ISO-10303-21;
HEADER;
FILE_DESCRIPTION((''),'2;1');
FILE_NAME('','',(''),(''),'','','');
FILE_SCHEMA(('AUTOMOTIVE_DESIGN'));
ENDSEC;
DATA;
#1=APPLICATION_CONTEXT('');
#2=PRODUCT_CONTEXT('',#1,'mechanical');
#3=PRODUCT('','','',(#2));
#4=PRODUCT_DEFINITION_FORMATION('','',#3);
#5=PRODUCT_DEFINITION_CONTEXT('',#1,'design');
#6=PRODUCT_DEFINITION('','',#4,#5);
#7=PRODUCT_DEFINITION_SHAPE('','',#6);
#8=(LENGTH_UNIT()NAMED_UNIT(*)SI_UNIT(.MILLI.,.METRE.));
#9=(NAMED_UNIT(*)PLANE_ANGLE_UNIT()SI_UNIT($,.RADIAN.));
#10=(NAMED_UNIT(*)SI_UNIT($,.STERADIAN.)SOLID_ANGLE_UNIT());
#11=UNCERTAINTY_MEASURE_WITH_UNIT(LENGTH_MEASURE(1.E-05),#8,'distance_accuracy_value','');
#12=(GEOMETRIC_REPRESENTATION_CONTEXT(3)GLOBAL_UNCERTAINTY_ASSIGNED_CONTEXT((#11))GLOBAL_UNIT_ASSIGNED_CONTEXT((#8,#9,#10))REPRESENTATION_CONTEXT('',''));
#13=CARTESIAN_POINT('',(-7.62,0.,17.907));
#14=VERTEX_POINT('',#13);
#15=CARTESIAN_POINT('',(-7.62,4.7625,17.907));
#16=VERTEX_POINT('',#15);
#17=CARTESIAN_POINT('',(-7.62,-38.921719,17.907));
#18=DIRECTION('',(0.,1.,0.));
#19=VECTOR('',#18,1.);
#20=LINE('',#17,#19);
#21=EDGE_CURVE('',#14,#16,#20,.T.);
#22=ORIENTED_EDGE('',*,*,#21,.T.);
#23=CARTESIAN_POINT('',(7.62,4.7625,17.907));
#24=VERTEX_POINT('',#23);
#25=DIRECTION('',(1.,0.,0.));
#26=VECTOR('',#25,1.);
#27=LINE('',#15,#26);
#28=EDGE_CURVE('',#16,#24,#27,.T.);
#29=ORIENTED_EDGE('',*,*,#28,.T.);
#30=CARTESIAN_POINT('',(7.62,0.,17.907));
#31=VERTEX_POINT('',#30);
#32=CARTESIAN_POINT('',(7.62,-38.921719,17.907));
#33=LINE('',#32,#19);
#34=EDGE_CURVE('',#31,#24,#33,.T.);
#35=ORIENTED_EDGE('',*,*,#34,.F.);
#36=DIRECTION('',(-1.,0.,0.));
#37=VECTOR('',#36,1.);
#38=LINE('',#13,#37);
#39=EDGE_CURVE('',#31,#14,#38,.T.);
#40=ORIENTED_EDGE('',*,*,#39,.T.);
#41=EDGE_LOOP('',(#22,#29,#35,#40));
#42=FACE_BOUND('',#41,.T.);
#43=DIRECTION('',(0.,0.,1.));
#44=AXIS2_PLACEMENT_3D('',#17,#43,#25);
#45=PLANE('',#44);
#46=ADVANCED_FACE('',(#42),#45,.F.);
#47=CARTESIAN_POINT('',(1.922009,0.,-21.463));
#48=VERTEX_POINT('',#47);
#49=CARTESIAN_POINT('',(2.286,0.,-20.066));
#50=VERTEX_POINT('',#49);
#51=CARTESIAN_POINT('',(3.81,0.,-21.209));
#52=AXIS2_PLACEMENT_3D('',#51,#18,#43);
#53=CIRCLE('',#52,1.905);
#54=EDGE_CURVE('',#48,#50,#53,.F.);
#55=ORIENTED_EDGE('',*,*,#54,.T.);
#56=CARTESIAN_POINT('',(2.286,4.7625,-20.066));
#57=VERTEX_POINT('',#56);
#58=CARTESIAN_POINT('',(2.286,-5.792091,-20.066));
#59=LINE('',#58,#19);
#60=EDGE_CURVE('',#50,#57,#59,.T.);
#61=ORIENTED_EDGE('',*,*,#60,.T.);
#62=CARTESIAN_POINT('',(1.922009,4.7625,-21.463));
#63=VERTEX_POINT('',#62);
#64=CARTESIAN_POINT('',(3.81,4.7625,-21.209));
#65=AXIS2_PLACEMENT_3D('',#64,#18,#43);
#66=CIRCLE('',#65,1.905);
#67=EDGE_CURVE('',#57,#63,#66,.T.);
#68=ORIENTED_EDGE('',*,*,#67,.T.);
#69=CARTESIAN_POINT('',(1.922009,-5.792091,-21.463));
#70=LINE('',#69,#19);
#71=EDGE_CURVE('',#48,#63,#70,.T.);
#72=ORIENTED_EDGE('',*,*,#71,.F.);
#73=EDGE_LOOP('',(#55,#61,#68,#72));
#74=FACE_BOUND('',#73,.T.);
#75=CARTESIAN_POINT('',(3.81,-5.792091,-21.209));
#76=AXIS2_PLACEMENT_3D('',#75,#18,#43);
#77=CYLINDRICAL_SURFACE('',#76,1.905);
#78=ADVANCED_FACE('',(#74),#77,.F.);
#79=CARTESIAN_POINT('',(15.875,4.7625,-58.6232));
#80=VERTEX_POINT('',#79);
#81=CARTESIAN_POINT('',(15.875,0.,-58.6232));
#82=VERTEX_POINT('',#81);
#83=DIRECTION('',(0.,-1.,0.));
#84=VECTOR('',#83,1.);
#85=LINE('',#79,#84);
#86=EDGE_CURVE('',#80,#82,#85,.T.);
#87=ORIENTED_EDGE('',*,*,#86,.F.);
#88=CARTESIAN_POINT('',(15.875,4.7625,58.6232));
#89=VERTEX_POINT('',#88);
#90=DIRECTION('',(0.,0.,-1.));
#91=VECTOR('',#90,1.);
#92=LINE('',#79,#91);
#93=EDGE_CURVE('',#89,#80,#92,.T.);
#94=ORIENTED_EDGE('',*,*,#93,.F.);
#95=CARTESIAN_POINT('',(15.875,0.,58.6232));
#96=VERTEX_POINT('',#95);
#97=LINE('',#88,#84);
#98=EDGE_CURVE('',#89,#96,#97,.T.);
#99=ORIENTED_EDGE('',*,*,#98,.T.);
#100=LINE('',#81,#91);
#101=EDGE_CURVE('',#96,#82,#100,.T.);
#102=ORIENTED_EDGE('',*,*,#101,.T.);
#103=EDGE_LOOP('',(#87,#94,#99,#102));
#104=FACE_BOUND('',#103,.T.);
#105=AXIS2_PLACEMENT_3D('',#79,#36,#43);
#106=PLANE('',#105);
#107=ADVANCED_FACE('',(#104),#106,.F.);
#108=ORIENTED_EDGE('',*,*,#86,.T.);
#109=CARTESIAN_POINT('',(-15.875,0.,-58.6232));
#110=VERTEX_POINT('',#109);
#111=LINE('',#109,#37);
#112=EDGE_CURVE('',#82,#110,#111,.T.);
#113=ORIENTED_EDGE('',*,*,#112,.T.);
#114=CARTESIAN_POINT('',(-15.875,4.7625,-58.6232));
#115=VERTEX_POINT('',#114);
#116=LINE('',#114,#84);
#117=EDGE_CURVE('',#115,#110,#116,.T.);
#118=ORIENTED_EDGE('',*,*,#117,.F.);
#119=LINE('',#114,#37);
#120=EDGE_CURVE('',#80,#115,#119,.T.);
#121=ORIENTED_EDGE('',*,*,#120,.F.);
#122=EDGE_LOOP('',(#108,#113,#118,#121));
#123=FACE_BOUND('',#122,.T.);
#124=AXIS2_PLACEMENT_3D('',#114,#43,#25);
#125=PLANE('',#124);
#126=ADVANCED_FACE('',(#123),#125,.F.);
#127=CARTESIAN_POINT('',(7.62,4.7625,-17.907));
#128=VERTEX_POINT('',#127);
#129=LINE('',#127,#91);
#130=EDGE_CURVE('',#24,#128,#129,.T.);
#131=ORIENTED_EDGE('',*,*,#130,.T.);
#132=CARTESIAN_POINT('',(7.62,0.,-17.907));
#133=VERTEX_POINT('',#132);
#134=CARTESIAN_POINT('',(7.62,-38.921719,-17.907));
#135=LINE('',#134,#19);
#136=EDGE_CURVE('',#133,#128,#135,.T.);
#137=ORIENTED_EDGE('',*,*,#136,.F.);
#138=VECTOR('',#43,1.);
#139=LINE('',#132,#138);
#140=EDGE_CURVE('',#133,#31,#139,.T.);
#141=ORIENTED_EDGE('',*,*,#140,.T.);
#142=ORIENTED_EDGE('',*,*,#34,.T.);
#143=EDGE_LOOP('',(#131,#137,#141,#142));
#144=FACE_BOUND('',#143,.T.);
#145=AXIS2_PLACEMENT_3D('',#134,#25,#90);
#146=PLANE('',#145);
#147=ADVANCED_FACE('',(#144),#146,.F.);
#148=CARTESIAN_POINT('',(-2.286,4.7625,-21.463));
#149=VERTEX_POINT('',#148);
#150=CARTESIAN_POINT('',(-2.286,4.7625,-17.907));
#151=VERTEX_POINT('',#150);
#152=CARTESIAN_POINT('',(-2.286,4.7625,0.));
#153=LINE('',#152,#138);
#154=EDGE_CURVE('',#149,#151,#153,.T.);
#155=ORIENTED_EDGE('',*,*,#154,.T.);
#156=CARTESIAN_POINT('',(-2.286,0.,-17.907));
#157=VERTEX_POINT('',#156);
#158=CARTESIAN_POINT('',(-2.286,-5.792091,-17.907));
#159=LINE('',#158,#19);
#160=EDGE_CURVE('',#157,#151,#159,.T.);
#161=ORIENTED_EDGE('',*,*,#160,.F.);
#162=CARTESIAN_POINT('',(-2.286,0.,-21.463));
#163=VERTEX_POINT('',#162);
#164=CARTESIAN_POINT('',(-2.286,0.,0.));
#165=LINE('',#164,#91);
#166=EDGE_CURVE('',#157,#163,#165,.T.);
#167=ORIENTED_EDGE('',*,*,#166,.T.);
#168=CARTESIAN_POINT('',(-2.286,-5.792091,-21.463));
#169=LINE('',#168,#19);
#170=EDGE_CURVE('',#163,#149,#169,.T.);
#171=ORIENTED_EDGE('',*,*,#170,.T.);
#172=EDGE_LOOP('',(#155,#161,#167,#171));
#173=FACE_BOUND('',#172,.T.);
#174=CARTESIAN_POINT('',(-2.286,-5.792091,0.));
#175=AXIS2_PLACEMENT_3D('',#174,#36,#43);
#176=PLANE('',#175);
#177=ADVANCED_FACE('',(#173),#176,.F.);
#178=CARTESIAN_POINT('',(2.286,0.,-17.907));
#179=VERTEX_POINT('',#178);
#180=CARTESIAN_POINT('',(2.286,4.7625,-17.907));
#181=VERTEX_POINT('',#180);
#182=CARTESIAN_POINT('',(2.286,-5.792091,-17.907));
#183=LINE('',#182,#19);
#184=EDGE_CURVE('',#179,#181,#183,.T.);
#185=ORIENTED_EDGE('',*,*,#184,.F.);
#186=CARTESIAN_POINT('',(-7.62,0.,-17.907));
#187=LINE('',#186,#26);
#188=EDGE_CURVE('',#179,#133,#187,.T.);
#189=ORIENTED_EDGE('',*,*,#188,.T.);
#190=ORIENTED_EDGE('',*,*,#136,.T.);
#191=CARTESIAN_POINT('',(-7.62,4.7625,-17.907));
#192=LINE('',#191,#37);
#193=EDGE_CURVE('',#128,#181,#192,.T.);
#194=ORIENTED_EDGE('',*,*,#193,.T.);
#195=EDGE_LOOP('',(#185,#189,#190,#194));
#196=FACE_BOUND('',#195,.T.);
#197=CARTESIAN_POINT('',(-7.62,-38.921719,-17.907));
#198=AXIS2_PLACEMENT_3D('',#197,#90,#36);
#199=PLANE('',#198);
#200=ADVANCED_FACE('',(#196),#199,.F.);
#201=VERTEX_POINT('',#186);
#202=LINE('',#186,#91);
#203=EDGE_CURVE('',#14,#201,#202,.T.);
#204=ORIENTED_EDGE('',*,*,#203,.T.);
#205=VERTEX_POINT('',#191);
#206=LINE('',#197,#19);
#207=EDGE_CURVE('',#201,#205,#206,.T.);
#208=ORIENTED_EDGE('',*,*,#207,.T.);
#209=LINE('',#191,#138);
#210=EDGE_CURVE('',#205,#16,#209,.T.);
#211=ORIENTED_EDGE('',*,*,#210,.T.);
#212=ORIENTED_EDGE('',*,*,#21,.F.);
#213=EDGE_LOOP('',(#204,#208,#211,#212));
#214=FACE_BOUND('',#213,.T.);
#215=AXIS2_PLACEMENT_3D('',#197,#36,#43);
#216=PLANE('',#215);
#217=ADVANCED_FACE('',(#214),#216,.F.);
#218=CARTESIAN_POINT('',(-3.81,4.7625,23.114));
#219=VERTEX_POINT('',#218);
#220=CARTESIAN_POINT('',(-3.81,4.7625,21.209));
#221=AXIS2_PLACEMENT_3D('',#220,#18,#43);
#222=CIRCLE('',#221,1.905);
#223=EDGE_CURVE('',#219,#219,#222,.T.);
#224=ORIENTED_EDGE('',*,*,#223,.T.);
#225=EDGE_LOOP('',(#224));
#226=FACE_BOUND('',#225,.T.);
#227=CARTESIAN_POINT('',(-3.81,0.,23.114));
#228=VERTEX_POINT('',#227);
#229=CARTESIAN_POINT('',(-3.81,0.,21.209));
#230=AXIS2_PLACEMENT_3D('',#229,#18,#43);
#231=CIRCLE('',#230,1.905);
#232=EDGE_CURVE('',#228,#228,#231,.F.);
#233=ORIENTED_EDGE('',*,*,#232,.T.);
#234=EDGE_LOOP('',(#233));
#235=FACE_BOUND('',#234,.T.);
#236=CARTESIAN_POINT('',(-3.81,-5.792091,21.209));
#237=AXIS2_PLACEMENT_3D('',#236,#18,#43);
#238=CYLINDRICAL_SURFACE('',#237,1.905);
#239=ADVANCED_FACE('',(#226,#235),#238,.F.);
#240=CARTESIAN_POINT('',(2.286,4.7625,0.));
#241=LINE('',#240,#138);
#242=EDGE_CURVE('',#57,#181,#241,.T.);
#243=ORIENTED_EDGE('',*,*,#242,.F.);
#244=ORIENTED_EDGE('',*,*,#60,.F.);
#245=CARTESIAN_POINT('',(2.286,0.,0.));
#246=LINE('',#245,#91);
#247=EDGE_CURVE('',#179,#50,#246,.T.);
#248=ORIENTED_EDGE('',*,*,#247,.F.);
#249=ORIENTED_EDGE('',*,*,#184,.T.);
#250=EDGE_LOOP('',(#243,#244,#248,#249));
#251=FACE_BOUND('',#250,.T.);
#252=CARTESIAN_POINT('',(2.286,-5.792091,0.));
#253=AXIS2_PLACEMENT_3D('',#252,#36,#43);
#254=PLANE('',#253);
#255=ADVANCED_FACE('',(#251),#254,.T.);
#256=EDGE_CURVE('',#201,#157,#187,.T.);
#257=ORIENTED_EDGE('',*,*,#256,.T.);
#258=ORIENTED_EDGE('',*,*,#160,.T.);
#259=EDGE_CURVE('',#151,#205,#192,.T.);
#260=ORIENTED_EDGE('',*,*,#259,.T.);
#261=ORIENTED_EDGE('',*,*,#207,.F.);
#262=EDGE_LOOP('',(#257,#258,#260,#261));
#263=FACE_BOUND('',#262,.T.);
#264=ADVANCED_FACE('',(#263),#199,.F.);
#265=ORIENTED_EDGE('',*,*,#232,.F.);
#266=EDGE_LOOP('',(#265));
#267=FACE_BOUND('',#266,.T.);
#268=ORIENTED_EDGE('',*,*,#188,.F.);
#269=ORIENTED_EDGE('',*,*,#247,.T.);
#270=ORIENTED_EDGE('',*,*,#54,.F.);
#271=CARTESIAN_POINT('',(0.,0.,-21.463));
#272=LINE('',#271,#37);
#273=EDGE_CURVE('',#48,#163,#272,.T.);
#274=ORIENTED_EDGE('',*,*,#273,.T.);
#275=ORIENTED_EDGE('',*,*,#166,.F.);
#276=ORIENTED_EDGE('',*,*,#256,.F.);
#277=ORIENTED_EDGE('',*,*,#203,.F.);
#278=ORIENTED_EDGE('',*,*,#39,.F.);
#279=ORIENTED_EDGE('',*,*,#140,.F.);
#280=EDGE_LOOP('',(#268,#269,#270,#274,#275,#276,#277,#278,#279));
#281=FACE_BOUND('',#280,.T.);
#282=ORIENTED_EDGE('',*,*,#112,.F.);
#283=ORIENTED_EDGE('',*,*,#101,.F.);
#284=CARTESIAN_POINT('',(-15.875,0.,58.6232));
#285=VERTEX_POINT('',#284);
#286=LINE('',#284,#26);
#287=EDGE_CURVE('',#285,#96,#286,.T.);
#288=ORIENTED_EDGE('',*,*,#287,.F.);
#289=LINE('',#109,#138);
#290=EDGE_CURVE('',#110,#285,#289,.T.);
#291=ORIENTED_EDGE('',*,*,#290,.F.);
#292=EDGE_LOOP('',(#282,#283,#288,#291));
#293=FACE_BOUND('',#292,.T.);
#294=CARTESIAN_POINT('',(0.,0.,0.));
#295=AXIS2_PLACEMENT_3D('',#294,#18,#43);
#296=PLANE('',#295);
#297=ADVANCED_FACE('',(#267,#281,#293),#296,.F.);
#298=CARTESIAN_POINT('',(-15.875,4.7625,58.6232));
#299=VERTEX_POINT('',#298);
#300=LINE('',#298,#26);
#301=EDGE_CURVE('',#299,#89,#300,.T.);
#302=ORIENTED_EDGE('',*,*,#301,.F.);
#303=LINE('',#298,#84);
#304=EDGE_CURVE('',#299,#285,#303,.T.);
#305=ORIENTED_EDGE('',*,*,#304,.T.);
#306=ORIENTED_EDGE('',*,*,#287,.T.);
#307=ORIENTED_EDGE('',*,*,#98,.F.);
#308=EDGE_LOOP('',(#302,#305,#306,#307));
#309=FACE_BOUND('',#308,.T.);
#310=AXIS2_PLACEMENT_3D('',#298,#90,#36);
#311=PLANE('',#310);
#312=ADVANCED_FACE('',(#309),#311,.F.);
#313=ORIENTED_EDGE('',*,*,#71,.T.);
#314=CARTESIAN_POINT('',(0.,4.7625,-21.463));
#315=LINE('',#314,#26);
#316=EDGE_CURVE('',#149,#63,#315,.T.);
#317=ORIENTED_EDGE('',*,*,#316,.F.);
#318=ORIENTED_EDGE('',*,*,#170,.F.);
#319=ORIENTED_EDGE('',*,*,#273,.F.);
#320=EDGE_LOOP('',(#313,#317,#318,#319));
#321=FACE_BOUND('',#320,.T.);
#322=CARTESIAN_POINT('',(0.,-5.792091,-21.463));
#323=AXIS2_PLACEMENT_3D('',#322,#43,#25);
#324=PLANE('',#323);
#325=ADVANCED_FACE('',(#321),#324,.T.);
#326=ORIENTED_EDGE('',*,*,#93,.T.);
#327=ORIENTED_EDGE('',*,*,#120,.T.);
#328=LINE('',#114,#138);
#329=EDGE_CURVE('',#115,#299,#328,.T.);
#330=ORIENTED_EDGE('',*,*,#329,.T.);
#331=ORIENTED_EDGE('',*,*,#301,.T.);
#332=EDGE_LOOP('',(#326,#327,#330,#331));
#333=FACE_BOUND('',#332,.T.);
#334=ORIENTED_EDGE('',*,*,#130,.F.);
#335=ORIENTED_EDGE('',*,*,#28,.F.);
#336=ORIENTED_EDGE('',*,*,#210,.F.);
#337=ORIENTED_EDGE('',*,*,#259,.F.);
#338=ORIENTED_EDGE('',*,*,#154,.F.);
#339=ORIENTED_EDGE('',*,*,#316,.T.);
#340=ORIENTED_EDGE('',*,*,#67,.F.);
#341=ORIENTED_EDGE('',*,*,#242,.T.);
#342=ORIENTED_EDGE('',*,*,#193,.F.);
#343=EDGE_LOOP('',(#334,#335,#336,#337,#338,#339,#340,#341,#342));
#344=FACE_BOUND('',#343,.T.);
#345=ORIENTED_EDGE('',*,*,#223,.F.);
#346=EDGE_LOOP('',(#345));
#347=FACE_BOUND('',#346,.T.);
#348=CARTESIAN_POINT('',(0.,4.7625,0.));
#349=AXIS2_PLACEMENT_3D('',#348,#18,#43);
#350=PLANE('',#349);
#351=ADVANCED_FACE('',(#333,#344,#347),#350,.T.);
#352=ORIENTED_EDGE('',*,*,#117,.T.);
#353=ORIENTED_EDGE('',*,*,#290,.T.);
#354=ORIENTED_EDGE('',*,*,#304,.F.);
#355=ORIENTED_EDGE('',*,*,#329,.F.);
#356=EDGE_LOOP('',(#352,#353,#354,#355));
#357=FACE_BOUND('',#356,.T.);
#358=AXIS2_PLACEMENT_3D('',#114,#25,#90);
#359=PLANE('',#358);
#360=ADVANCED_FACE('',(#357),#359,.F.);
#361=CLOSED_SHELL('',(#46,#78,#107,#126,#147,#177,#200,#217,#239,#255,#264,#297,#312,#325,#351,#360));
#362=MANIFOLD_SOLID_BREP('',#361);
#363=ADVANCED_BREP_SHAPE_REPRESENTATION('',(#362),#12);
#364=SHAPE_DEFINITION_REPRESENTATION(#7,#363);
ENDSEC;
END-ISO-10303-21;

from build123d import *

# Parameters (mm, degrees)
SKETCH1_W           = 31.75
SKETCH1_H           = 117.2464
BOSS_EXTRUDE1_DEPTH = 4.7625
SKETCH3_W           = 15.24
SKETCH3_H           = 35.814
CUT_EXTRUDE1_DEPTH  = 4.7625
SKETCH4_R           = 1.905
CUT_EXTRUDE9_DEPTH  = 4.7625


with BuildPart() as part:
    # Sketch1 → Boss-Extrude1 (new body)
    with BuildSketch(Plane(origin=(0, 0, 0), x_dir=(1, 0, 0), z_dir=(0, 1, 0))):
        Rectangle(SKETCH1_W, SKETCH1_H)
    extrude(amount=BOSS_EXTRUDE1_DEPTH)

    # Sketch3 → Cut-Extrude1 (cut)
    with BuildSketch(Plane(origin=(0, 4.7625, 0), x_dir=(1, 0, 0), z_dir=(0, 1, 0))):
        Rectangle(SKETCH3_W, SKETCH3_H)
    extrude(amount=-CUT_EXTRUDE1_DEPTH, mode=Mode.SUBTRACT)

    # Sketch4 → Cut-Extrude9 (cut)
    with BuildSketch(Plane(origin=(0, 4.7625, 0), x_dir=(1, 0, 0), z_dir=(0, 1, 0))):
        with Locations(Location((-3.81, -21.209, 0), (0, 0, 270))):
            Circle(SKETCH4_R)
        with BuildLine():
            Line((-2.286, 21.463), (-2.286, 17.907))
            Line((-2.286, 17.907), (2.286, 17.907))
            Line((2.286, 17.907), (2.286, 20.066))
            ThreePointArc((2.286, 20.066), (1.966546058, 20.728684934), (1.922009269, 21.463))
            Line((1.922009269, 21.463), (-2.286, 21.463))
        make_face()
        with BuildLine():
            ThreePointArc((1.922009269, 21.463), (1.966546058, 20.728684934), (2.286, 20.066))
            Line((2.286, 20.066), (2.286, 21.463))
            Line((2.286, 21.463), (1.922009269, 21.463))
        make_face()
        with BuildLine():
            Line((2.286, 21.463), (2.286, 20.066))
            ThreePointArc((2.286, 20.066), (4.412413894, 19.401758317), (5.715, 21.209))
            ThreePointArc((5.715, 21.209), (3.937284441, 23.109742926), (1.922009269, 21.463))
            Line((1.922009269, 21.463), (2.286, 21.463))
        make_face()
    extrude(amount=-CUT_EXTRUDE9_DEPTH, mode=Mode.SUBTRACT)


solid = part.part
